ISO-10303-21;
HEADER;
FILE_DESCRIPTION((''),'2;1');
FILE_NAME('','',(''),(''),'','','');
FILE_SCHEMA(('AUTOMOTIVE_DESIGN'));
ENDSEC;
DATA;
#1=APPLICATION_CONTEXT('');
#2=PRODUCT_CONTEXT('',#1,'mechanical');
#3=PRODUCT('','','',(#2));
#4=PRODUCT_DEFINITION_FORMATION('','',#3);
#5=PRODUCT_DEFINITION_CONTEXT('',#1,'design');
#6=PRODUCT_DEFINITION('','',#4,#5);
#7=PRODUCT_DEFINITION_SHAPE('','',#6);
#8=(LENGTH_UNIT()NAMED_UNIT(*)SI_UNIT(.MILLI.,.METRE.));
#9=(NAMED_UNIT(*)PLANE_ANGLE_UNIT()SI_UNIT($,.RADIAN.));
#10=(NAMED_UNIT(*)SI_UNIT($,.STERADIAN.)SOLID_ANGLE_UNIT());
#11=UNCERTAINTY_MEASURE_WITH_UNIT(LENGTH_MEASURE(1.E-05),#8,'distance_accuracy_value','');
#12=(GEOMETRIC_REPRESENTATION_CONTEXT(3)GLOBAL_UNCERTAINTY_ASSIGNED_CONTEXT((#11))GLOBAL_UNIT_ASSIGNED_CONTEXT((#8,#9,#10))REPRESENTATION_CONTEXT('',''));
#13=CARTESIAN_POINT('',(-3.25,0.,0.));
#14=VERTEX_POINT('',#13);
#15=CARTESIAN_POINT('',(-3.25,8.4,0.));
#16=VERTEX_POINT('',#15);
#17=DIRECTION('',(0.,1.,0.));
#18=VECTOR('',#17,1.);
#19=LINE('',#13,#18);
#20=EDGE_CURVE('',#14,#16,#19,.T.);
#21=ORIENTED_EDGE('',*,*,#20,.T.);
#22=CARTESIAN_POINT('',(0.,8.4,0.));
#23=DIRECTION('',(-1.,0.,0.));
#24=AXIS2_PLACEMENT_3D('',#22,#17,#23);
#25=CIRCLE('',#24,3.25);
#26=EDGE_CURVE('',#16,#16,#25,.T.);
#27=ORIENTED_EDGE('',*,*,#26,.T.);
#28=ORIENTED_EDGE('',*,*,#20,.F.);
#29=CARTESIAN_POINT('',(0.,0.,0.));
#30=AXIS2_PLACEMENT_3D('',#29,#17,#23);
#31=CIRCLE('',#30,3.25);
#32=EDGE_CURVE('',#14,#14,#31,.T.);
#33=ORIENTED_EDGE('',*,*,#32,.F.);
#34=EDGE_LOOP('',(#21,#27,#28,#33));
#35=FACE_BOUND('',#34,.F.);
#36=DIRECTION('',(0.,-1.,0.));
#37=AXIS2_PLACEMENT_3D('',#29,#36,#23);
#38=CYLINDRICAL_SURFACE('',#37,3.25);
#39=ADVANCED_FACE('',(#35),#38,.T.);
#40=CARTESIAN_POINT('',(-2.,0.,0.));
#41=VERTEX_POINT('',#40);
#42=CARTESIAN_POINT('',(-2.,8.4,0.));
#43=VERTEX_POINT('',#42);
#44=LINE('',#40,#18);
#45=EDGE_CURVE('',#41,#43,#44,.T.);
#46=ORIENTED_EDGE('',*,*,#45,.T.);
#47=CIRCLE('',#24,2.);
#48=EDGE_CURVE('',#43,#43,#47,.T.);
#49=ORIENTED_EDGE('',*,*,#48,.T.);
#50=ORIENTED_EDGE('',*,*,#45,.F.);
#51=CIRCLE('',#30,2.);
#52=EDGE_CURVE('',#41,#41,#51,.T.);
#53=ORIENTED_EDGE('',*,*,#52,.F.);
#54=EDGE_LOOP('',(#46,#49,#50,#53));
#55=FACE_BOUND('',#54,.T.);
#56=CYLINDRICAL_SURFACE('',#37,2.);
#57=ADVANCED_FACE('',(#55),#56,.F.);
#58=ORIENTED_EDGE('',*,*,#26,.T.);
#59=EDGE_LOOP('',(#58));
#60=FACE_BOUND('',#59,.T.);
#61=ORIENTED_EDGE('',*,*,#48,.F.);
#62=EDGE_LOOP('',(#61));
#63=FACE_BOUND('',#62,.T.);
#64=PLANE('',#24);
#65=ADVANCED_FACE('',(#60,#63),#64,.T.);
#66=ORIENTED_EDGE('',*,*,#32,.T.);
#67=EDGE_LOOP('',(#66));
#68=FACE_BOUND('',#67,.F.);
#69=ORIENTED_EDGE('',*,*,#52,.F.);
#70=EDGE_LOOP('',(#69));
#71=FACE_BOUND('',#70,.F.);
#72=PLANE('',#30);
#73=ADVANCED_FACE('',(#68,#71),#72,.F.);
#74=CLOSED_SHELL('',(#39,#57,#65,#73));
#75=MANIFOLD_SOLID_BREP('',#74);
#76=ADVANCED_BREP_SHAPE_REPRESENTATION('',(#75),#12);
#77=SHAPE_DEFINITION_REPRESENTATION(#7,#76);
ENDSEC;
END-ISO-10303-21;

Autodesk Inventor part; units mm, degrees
ref_plane "YZ Plane" through (0, 0, 0) normal (1, 0, 0) x (0, 1, 0)
ref_plane "XZ Plane" through (0, 0, 0) normal (0, 1, 0) x (-1, 0, 0)
ref_plane "XY Plane" through (0, 0, 0) normal (0, 0, 1) x (1, 0, 0)
sketch "Sketch1" plane through (0, 0, 0) normal (0, 1, 0) x (-1, 0, 0)
  circle A0 centre (0, 0) radius 3.25
  circle A1 centre (0, 0) radius 2
  dimension "d0" = 6.5
  dimension "d1" = 4
extrude "Extrusion1" add sketch "Sketch1" along normal blind 8.4
properties part number "InnerBearingSpacer"
